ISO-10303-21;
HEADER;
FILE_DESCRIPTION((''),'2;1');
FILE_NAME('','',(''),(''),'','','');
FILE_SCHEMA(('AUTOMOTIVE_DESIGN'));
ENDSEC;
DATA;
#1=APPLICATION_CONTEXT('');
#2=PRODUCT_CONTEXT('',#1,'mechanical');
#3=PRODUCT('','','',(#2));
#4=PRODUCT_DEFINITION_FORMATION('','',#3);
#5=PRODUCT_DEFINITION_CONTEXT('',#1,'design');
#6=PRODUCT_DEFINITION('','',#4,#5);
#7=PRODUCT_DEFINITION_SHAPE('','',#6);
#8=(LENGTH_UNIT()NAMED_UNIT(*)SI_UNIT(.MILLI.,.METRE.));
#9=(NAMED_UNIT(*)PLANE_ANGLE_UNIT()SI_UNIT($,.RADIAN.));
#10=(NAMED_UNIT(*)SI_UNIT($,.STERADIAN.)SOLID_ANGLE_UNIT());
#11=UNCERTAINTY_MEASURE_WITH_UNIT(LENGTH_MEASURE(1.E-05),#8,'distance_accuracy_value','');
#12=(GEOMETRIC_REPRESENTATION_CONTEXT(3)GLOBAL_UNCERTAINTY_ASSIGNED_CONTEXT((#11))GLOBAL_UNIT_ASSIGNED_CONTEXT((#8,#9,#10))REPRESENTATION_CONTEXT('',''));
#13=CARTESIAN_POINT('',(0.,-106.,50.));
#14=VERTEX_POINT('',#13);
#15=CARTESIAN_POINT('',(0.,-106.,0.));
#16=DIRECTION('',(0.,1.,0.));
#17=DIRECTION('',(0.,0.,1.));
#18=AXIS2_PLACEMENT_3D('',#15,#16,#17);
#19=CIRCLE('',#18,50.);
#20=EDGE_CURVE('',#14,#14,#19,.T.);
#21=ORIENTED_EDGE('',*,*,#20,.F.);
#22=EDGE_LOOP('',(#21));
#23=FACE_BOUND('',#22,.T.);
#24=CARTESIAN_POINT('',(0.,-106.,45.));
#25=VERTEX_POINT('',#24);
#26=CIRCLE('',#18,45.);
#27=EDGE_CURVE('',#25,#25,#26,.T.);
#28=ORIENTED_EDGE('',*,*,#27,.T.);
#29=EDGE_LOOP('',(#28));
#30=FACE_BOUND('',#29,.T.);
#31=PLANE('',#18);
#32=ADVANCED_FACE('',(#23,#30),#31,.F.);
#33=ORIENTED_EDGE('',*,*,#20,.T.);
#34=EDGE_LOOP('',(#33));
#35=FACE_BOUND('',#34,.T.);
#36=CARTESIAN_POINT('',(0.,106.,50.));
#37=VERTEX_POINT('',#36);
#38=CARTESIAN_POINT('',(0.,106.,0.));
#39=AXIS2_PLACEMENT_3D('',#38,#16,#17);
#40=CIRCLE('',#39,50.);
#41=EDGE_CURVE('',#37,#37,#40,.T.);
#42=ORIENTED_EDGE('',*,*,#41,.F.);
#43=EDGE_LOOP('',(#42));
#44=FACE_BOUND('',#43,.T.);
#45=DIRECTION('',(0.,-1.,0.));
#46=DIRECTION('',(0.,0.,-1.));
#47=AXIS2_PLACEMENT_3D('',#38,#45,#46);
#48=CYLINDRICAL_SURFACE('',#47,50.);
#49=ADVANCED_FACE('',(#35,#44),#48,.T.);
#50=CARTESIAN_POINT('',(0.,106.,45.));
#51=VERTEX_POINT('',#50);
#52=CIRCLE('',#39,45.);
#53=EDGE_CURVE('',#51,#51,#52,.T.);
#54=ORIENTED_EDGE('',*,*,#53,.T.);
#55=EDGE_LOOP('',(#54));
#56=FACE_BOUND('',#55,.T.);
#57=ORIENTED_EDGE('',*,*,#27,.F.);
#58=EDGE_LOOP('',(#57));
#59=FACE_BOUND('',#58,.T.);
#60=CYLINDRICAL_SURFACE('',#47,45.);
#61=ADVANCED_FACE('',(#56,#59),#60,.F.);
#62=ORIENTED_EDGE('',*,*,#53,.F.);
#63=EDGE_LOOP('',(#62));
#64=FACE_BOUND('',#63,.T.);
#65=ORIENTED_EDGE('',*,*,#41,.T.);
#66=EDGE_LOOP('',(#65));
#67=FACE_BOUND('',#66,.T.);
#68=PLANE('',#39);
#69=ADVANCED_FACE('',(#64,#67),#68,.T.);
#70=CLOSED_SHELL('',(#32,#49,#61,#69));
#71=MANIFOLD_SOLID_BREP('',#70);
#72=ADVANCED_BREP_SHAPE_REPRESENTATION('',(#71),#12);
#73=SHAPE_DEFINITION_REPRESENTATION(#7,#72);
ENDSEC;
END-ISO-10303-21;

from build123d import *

# Parameters (mm, degrees)
IZIM1_R                     = 50
IZIM1_R_2                   = 45
Y_KSEKLIK_EKSTR_ZYON1_DEPTH = 106


with BuildPart() as part:
    # Çizim1 → Yükseklik-Ekstrüzyon1 (new, symmetric)
    with BuildSketch(Plane(origin=(0, 0, 0), x_dir=(1, 0, 0), z_dir=(0, 1, 0))):
        with Locations(Location((0, 0, 0), (0, 0, 270))):
            Circle(IZIM1_R)
        with Locations(Location((0, 0, 0), (0, 0, 270))):
            Circle(IZIM1_R_2, mode=Mode.SUBTRACT)
    extrude(amount=Y_KSEKLIK_EKSTR_ZYON1_DEPTH, both=True)


solid = part.part
